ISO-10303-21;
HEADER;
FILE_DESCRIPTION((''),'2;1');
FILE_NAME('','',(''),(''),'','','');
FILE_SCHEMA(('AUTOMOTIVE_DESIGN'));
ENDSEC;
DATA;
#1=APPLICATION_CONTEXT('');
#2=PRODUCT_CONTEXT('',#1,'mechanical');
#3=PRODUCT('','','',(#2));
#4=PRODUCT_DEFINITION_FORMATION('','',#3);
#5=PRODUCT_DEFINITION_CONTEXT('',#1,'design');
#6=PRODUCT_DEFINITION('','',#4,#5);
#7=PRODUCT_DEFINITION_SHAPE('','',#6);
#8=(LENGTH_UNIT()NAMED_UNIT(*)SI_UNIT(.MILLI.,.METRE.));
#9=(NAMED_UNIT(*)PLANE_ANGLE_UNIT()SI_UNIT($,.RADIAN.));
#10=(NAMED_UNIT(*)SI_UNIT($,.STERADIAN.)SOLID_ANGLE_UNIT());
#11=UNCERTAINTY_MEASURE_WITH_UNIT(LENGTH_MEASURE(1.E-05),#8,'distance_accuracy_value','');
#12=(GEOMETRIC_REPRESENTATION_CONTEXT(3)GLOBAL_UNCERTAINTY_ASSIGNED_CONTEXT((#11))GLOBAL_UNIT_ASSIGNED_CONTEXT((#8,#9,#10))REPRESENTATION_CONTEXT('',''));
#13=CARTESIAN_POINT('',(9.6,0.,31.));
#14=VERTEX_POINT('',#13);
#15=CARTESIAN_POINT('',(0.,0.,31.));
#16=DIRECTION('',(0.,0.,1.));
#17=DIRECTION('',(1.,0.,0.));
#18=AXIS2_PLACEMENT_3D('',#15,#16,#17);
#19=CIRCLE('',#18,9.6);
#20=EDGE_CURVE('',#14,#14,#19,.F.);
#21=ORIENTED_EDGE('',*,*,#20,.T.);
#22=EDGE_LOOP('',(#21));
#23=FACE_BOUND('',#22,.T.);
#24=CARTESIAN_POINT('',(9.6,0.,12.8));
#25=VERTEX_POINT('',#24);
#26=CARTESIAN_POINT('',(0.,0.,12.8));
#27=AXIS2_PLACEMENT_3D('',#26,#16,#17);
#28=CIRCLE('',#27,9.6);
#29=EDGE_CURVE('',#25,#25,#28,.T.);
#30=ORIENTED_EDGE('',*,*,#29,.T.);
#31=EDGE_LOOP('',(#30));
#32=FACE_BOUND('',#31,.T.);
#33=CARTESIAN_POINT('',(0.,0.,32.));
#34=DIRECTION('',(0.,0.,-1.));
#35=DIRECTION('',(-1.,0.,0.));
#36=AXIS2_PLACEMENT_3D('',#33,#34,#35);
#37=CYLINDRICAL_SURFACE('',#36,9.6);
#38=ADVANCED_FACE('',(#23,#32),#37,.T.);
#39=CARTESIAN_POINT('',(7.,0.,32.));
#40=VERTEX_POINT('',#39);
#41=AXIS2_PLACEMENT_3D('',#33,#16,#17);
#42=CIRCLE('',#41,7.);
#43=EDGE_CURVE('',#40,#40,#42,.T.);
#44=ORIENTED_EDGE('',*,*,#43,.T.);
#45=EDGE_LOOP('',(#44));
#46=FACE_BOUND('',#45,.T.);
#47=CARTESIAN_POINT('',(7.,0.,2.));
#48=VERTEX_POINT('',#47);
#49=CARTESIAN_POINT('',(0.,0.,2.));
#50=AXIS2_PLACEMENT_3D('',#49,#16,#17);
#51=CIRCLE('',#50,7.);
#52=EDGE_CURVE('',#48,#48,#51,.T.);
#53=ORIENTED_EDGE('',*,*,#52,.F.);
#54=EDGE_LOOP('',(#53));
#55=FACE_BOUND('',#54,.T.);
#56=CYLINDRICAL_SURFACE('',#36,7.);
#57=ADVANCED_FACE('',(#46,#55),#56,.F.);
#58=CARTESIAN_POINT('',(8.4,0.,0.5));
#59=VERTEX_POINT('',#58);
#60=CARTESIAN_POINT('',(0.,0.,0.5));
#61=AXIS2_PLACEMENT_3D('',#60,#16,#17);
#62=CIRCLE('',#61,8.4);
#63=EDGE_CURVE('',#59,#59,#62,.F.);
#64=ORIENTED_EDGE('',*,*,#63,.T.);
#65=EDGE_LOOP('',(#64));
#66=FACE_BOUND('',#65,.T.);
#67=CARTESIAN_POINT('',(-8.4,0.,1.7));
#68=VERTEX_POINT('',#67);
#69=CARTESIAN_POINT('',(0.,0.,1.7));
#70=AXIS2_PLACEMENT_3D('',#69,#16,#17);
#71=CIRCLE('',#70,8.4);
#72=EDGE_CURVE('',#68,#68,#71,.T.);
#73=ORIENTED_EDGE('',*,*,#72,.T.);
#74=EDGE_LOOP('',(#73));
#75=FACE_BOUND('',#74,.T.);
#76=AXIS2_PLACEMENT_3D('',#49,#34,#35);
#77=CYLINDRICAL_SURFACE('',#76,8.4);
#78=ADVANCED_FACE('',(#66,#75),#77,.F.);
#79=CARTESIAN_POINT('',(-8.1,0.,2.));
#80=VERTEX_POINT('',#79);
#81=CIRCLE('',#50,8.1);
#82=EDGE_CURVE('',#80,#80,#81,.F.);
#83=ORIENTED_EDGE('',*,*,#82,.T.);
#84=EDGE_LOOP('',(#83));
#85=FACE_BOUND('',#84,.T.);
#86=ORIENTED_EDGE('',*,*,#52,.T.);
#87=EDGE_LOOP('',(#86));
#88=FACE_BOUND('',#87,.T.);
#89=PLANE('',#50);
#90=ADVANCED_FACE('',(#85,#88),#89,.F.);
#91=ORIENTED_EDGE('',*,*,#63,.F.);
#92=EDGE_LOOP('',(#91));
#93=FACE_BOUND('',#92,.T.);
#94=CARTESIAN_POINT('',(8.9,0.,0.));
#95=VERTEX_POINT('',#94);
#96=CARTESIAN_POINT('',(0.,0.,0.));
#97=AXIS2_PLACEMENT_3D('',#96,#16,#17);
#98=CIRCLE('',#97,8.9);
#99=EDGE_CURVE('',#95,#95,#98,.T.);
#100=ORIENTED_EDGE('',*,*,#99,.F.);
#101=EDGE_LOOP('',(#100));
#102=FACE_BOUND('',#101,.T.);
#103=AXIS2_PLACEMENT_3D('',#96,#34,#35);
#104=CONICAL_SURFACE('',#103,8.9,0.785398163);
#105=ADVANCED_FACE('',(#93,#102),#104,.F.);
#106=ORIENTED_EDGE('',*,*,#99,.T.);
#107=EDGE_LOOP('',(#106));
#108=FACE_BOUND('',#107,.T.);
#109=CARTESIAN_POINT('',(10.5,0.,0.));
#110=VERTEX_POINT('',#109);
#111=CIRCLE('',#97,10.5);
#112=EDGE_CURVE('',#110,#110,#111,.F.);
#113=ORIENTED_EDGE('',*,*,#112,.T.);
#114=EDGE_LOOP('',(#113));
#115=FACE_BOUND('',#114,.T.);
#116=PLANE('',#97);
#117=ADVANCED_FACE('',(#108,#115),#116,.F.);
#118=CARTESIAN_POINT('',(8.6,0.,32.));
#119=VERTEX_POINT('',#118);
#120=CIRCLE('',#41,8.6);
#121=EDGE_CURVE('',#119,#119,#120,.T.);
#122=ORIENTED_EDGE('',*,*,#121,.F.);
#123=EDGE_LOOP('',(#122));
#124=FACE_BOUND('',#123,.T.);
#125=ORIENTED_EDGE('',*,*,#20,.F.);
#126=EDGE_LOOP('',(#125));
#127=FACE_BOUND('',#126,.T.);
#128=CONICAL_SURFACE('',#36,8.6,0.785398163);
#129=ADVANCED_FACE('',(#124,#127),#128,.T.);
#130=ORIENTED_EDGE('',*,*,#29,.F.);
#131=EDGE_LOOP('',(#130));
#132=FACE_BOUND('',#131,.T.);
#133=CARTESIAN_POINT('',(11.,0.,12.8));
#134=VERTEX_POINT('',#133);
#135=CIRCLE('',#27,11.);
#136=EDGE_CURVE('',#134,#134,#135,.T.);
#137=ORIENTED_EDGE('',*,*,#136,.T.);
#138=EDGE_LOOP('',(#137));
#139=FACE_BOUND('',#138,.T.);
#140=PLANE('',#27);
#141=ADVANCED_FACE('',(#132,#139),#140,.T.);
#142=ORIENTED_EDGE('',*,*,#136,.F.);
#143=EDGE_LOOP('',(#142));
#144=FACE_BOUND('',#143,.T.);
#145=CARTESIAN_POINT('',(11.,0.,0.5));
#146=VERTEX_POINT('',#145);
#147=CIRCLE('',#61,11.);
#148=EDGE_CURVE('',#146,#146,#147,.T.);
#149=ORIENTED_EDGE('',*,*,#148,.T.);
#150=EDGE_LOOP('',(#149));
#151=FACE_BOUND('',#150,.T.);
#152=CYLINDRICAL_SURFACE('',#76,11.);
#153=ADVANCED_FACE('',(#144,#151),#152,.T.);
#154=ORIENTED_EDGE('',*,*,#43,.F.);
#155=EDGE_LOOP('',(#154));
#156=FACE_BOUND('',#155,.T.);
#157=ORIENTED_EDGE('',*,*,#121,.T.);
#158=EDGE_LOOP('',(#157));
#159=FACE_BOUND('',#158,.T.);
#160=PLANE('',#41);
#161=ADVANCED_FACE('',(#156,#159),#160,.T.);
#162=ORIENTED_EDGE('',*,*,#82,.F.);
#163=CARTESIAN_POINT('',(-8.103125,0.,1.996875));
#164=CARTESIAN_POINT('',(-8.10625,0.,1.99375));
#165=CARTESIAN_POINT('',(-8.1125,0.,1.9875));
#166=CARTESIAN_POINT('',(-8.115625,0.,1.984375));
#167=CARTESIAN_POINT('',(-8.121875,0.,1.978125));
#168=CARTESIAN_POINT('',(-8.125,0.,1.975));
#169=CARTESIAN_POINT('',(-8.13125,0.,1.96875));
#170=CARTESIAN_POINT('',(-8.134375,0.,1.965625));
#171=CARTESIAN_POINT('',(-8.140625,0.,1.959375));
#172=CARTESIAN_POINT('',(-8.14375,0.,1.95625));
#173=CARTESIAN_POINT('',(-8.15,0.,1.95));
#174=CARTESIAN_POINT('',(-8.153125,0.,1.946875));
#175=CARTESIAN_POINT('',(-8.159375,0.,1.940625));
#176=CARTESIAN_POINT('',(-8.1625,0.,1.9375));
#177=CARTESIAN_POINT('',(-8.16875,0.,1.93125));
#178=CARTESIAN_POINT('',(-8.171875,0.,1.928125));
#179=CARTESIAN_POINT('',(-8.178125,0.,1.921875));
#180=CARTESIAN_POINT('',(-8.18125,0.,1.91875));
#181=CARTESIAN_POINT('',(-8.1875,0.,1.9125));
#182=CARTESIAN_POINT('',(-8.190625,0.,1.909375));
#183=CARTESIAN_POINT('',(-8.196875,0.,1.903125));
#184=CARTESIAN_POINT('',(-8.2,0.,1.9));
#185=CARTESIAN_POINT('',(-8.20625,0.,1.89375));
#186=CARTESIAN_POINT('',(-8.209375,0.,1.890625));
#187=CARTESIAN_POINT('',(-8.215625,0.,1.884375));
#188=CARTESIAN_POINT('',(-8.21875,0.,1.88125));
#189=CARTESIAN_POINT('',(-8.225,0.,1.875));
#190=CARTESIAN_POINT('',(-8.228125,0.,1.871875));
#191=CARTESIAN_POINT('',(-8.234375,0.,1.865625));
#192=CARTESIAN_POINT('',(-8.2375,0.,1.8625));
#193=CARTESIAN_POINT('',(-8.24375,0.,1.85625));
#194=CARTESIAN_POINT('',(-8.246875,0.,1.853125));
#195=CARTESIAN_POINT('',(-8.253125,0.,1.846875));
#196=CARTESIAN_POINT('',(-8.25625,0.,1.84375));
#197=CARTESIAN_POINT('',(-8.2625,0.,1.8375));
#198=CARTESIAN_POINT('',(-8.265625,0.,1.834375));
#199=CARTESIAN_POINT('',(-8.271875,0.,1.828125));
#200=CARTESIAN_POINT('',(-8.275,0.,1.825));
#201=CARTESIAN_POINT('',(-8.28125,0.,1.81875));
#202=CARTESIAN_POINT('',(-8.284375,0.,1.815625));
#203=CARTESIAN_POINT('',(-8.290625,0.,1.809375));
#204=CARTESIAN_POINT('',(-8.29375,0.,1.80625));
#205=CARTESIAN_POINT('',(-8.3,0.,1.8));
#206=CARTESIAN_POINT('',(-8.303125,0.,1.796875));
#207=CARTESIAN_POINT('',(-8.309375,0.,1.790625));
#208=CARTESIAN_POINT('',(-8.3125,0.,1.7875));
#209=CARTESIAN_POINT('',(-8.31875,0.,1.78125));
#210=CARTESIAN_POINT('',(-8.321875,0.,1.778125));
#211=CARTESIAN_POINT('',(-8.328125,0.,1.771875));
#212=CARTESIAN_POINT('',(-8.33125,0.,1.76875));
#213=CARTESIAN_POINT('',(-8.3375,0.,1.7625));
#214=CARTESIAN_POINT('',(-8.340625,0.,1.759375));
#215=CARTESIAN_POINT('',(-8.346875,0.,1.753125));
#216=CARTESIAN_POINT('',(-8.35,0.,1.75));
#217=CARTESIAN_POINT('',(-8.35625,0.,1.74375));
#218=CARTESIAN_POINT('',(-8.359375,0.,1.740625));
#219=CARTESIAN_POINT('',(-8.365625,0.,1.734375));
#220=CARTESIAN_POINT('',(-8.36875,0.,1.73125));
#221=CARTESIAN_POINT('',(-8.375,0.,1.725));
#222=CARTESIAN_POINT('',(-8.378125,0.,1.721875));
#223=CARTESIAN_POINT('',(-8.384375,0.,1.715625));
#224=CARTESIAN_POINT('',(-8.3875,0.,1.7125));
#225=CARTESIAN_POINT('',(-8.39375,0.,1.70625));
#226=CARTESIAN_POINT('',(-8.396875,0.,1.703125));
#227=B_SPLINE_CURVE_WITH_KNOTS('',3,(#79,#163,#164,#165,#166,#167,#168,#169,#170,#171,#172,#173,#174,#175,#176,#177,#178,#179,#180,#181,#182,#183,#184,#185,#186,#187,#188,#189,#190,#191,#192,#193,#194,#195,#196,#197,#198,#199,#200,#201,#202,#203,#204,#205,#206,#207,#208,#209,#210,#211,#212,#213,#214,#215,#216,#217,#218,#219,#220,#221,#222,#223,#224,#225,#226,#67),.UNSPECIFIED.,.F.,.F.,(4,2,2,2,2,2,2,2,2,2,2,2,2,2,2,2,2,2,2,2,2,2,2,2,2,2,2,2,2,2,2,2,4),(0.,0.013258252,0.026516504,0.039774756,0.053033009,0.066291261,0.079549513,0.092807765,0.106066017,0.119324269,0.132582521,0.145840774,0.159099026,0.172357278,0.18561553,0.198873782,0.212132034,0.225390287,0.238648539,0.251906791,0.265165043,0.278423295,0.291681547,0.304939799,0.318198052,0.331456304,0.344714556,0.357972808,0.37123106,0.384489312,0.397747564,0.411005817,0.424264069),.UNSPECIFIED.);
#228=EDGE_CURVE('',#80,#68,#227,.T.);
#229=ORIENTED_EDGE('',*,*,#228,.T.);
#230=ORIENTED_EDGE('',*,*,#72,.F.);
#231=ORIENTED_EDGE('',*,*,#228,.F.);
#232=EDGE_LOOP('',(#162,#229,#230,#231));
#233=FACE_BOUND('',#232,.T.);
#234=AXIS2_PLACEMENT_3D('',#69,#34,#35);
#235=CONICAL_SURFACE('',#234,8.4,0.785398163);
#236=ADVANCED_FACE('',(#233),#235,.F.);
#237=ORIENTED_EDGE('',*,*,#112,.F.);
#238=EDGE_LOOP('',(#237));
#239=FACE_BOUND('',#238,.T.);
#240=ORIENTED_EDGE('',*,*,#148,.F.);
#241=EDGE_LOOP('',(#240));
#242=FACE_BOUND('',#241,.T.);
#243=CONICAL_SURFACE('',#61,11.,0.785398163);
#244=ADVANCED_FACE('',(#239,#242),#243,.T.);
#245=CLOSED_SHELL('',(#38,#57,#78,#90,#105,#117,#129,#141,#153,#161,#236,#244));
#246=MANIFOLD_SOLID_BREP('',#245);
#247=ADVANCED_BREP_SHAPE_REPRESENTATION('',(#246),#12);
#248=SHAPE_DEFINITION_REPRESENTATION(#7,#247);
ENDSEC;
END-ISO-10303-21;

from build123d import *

# Parameters (mm, degrees)
SKETCH_1_R      = 11
SKETCH_1_R_2    = 8.4
EXTRUDE_1_DEPTH = 2
SKETCH_2_R      = 9.6
SKETCH_2_R_2    = 7
EXTRUDE_2_DEPTH = 30
CHAMFER_1_SIZE  = 0.5
SKETCH_3_R      = 11
SKETCH_3_R_2    = 9.6
EXTRUDE_3_DEPTH = 10.8
CHAMFER_2_SIZE  = 1
CHAMFER_3_SIZE  = 0.3
CHAMFER_4_SIZE  = 0.5


with BuildPart() as part:
    # 스케치1 → 보스-돌출1 (new body)
    with BuildSketch(Plane.XY):
        Circle(SKETCH_1_R)
        Circle(SKETCH_1_R_2, mode=Mode.SUBTRACT)
    extrude(amount=EXTRUDE_1_DEPTH)

    # 스케치2 → 보스-돌출2 (add)
    with BuildSketch(Plane.XY.offset(2)):
        Circle(SKETCH_2_R)
        Circle(SKETCH_2_R_2, mode=Mode.SUBTRACT)
    extrude(amount=EXTRUDE_2_DEPTH)

    # 모따기1
    chamfer_1_edges = [part.edges().sort_by_distance(p)[0] for p in [
        (-8.4, 0, 0),
    ]]
    chamfer(chamfer_1_edges, length=CHAMFER_1_SIZE)

    # 스케치3 → 보스-돌출3 (add)
    with BuildSketch(Plane.XY.offset(2)):
        Circle(SKETCH_3_R)
        Circle(SKETCH_3_R_2, mode=Mode.SUBTRACT)
    extrude(amount=EXTRUDE_3_DEPTH)

    # 모따기2
    chamfer_2_edges = [part.edges().sort_by_distance(p)[0] for p in [
        (-9.6, 0, 32),
    ]]
    chamfer(chamfer_2_edges, length=CHAMFER_2_SIZE)

    # 모따기3
    chamfer_3_edges = [part.edges().sort_by_distance(p)[0] for p in [
        (-8.4, 0, 2),
    ]]
    chamfer(chamfer_3_edges, length=CHAMFER_3_SIZE)

    # 모따기4
    chamfer_4_edges = [part.edges().sort_by_distance(p)[0] for p in [
        (-11, 0, 0),
    ]]
    chamfer(chamfer_4_edges, length=CHAMFER_4_SIZE)


solid = part.part
